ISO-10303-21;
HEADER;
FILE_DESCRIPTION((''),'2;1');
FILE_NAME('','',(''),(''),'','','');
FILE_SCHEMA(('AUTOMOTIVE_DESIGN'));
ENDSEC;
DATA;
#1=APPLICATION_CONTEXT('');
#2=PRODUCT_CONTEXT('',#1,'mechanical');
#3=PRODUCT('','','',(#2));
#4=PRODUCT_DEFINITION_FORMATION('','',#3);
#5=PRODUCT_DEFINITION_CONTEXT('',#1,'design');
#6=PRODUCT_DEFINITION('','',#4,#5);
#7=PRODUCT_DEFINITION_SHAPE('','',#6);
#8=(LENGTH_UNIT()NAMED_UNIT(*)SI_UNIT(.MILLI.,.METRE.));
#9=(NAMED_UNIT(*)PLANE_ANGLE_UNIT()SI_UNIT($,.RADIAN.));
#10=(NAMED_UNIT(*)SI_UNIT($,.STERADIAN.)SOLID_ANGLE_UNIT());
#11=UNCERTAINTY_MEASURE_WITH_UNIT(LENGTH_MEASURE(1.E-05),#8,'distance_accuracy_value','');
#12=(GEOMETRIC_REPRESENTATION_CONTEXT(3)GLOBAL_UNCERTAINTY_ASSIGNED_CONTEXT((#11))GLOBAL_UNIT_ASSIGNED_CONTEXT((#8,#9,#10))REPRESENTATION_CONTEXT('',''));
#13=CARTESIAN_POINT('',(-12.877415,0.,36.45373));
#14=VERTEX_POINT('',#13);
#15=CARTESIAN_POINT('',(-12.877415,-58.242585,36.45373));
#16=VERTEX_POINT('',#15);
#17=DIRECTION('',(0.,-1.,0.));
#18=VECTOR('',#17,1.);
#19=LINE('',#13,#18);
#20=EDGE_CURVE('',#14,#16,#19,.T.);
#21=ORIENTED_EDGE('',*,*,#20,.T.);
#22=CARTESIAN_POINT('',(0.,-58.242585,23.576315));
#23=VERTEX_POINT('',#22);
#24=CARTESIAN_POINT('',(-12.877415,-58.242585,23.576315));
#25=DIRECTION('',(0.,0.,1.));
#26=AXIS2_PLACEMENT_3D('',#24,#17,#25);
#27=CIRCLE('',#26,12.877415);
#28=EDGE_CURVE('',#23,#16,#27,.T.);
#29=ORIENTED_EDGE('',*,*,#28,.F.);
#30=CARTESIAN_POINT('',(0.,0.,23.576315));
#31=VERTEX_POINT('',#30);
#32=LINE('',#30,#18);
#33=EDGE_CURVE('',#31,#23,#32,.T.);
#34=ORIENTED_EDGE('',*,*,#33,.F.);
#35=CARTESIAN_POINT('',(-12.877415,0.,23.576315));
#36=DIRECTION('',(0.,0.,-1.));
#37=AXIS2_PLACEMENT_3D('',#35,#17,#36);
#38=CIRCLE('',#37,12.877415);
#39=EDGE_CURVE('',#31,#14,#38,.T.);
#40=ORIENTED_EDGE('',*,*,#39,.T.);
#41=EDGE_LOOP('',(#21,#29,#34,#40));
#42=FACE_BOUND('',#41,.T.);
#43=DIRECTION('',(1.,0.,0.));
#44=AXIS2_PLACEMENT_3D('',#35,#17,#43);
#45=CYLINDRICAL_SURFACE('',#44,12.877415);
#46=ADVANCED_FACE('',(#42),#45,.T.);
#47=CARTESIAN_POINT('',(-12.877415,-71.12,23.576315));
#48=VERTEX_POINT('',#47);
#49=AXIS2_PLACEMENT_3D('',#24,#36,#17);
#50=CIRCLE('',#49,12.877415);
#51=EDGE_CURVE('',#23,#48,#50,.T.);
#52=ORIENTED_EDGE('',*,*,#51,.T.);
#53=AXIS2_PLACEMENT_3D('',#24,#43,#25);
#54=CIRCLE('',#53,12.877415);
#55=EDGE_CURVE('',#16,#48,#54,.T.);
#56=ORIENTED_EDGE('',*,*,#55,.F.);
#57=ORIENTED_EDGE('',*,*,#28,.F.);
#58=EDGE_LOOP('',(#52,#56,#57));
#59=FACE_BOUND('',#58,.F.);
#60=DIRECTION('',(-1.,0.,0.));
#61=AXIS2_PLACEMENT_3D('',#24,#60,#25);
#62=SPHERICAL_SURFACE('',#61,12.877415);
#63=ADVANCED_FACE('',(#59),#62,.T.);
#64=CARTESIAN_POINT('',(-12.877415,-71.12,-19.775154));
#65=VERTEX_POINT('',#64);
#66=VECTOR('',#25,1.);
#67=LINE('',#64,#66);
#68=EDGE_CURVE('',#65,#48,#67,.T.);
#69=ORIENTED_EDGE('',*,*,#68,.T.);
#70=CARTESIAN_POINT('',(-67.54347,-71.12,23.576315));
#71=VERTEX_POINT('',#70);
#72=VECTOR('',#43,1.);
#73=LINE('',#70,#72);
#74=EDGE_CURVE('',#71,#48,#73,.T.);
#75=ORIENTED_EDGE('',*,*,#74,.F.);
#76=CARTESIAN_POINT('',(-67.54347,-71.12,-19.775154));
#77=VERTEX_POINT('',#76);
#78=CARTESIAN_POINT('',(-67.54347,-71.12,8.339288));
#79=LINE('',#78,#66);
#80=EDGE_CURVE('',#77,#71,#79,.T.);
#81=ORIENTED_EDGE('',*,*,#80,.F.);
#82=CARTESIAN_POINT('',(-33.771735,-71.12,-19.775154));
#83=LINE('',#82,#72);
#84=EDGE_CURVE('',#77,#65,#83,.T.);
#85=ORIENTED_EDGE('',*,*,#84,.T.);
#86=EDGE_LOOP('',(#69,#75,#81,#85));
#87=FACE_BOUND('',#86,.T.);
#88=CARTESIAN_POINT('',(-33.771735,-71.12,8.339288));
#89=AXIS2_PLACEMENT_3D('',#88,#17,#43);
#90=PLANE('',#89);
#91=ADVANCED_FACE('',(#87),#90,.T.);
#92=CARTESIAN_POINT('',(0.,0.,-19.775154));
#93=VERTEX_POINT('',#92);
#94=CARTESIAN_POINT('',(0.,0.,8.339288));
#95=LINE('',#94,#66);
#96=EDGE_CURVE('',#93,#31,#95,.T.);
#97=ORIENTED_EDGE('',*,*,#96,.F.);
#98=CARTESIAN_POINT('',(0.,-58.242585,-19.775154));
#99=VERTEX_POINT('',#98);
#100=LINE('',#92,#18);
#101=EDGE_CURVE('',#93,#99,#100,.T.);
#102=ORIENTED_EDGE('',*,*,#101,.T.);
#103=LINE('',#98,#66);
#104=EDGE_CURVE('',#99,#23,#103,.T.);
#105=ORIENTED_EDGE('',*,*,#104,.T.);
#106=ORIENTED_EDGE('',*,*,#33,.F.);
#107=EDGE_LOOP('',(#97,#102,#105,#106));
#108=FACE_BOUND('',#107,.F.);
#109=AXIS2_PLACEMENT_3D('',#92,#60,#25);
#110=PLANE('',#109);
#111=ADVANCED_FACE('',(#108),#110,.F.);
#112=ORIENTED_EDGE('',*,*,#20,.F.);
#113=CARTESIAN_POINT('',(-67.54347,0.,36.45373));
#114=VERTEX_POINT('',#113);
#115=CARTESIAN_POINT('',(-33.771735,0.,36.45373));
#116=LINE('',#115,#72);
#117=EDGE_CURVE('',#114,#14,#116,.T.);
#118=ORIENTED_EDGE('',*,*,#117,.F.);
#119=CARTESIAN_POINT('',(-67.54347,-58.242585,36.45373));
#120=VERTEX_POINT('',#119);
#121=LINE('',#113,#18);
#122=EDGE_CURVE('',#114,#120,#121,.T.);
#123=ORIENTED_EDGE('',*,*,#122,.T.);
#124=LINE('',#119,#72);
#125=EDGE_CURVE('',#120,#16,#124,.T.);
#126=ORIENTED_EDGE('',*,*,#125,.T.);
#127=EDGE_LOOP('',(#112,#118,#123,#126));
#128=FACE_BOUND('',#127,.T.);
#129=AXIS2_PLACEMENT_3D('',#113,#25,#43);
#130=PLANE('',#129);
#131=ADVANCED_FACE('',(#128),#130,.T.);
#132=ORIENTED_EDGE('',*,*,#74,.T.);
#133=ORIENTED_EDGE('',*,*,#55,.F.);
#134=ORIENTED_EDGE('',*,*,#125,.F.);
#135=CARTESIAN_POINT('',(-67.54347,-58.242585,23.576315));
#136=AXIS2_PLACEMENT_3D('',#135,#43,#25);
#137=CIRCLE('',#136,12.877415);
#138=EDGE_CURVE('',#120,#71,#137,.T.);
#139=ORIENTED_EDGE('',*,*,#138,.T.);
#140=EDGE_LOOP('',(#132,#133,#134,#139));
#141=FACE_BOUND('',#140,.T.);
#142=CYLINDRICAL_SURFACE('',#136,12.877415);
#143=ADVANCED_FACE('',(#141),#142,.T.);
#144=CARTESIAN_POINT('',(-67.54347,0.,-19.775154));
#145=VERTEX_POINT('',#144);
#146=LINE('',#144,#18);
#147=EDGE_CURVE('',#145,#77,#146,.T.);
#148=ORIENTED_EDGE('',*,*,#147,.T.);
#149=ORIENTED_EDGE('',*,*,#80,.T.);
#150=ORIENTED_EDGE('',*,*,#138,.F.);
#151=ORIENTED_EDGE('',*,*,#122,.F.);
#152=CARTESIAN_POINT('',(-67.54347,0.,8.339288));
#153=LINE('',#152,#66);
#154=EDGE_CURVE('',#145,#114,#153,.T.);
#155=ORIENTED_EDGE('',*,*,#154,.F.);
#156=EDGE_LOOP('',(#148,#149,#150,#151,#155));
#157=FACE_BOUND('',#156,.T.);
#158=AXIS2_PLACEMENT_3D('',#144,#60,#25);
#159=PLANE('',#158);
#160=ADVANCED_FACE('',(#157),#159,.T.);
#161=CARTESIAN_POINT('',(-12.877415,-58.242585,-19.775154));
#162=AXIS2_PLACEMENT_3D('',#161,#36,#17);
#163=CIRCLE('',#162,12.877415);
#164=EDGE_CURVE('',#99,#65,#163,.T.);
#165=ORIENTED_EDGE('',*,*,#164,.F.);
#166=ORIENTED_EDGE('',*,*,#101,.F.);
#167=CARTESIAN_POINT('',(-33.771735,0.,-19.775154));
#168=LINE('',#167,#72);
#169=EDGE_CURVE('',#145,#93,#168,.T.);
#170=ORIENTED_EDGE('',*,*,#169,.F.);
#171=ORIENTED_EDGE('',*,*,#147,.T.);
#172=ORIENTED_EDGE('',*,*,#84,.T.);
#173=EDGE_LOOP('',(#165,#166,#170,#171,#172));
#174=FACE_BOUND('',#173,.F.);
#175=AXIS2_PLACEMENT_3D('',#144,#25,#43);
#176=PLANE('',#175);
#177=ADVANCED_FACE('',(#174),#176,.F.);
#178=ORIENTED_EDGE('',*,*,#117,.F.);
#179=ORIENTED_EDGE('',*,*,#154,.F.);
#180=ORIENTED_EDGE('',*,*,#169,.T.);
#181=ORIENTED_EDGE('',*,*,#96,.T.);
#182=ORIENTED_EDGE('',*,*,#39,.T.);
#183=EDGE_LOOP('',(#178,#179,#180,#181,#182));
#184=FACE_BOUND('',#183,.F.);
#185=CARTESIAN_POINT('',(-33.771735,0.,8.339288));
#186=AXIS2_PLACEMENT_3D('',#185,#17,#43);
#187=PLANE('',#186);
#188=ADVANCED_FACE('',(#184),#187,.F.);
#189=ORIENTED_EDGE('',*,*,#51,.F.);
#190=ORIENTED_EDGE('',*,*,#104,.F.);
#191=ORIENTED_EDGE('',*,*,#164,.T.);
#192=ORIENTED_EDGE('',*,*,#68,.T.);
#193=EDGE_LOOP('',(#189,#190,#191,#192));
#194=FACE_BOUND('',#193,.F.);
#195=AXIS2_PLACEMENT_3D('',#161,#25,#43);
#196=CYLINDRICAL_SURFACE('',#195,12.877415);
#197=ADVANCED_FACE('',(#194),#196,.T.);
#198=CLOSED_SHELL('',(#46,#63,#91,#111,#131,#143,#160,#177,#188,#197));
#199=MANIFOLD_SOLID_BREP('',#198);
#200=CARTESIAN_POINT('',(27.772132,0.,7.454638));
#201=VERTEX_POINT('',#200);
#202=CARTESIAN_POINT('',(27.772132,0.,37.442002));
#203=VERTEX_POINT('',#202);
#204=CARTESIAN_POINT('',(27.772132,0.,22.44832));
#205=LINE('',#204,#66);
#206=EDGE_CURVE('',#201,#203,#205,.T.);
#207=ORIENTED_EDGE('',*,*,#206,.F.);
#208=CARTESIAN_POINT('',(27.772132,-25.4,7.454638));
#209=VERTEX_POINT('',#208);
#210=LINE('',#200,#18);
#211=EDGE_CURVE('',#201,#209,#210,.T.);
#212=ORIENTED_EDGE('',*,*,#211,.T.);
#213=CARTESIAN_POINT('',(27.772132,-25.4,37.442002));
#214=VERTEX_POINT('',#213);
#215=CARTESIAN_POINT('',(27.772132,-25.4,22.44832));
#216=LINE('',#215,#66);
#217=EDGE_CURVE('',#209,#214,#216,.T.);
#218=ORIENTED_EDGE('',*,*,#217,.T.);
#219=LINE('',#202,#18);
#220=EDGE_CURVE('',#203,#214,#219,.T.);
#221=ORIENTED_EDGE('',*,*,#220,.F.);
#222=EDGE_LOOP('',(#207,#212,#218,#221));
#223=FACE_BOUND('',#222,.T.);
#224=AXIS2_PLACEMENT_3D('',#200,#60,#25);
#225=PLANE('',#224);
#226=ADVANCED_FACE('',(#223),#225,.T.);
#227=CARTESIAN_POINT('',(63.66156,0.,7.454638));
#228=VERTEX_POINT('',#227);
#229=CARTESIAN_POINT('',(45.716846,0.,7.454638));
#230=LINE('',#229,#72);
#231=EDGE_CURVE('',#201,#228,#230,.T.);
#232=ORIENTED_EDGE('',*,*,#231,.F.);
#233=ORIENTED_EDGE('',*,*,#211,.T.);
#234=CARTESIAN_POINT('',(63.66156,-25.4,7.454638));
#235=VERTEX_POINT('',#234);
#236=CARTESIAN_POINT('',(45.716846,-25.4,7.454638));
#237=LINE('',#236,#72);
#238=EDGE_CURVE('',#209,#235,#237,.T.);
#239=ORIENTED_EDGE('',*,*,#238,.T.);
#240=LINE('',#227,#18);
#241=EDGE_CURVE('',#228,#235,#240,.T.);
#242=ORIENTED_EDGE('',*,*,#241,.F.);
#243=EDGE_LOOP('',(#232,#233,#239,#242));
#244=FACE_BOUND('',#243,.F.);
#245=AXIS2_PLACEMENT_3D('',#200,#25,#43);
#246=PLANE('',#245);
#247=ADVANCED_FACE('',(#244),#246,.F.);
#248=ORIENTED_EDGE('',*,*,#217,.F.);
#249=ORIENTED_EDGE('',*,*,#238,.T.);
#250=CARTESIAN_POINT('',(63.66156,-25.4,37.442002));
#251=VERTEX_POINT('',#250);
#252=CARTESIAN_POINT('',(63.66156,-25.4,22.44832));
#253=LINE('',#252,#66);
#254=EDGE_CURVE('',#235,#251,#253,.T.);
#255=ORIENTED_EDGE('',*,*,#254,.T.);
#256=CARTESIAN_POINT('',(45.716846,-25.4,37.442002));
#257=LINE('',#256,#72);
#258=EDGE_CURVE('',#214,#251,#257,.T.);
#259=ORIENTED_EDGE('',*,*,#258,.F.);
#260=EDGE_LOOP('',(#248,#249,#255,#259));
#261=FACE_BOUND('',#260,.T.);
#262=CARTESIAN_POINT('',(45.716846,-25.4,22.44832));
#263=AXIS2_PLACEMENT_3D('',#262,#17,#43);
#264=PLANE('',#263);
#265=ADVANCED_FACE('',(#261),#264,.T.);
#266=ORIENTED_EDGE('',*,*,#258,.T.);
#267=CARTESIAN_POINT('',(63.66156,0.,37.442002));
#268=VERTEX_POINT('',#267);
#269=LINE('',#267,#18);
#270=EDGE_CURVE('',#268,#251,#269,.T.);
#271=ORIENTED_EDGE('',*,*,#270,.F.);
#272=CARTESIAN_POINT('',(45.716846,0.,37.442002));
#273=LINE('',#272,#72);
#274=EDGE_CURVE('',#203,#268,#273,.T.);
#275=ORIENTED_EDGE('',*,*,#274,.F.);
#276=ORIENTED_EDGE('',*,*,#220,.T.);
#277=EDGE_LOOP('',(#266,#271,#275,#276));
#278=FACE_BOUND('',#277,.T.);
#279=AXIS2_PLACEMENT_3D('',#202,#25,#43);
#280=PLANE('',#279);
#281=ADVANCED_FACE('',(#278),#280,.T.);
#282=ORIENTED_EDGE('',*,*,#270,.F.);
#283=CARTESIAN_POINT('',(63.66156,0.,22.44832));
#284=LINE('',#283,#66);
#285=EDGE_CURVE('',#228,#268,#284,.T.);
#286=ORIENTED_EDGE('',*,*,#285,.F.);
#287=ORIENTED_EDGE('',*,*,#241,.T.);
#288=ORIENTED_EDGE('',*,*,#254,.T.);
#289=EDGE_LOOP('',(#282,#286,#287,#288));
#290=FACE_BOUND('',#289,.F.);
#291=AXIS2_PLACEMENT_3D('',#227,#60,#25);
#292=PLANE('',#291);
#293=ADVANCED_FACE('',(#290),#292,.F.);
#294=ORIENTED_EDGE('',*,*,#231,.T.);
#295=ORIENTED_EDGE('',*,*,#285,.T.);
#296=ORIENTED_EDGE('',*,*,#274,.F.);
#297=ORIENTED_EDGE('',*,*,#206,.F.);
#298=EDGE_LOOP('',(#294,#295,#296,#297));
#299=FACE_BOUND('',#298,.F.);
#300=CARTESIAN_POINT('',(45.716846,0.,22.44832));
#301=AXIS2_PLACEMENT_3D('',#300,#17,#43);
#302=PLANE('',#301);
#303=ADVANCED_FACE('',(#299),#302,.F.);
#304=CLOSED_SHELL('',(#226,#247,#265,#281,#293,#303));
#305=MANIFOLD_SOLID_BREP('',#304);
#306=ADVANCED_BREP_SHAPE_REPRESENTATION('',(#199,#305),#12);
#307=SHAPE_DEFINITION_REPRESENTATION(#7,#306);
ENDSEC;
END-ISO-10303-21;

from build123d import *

# Parameters (mm, degrees)
F0_W     = 67.543469
F0_H     = 56.228885
F1_DEPTH = 71.12
F2_R     = 12.877415
F3_W     = 35.889428
F3_H     = 29.987364
F4_DEPTH = 25.4


with BuildPart() as f1:
    # F0 (on Front) → F1 (new body)
    with BuildSketch(Plane.XZ):
        with Locations((-33.771735, 8.339288)):
            Rectangle(F0_W, F0_H)
    extrude(amount=F1_DEPTH)

    # F2
    f2_edges = [f1.edges().sort_by_distance(p)[0] for p in [
        (-33.771735, -71.12, 36.453731),
        (0, -35.56, 36.453731),
        (0, -71.12, 8.339289),
    ]]
    fillet(f2_edges, radius=F2_R)


with BuildPart() as f4:
    # F3 (on Front) → F4 (new body)
    with BuildSketch(Plane.XZ):
        with Locations((45.716846, 22.44832)):
            Rectangle(F3_W, F3_H)
    extrude(amount=F4_DEPTH)


solid = Compound([f1.part, f4.part])
